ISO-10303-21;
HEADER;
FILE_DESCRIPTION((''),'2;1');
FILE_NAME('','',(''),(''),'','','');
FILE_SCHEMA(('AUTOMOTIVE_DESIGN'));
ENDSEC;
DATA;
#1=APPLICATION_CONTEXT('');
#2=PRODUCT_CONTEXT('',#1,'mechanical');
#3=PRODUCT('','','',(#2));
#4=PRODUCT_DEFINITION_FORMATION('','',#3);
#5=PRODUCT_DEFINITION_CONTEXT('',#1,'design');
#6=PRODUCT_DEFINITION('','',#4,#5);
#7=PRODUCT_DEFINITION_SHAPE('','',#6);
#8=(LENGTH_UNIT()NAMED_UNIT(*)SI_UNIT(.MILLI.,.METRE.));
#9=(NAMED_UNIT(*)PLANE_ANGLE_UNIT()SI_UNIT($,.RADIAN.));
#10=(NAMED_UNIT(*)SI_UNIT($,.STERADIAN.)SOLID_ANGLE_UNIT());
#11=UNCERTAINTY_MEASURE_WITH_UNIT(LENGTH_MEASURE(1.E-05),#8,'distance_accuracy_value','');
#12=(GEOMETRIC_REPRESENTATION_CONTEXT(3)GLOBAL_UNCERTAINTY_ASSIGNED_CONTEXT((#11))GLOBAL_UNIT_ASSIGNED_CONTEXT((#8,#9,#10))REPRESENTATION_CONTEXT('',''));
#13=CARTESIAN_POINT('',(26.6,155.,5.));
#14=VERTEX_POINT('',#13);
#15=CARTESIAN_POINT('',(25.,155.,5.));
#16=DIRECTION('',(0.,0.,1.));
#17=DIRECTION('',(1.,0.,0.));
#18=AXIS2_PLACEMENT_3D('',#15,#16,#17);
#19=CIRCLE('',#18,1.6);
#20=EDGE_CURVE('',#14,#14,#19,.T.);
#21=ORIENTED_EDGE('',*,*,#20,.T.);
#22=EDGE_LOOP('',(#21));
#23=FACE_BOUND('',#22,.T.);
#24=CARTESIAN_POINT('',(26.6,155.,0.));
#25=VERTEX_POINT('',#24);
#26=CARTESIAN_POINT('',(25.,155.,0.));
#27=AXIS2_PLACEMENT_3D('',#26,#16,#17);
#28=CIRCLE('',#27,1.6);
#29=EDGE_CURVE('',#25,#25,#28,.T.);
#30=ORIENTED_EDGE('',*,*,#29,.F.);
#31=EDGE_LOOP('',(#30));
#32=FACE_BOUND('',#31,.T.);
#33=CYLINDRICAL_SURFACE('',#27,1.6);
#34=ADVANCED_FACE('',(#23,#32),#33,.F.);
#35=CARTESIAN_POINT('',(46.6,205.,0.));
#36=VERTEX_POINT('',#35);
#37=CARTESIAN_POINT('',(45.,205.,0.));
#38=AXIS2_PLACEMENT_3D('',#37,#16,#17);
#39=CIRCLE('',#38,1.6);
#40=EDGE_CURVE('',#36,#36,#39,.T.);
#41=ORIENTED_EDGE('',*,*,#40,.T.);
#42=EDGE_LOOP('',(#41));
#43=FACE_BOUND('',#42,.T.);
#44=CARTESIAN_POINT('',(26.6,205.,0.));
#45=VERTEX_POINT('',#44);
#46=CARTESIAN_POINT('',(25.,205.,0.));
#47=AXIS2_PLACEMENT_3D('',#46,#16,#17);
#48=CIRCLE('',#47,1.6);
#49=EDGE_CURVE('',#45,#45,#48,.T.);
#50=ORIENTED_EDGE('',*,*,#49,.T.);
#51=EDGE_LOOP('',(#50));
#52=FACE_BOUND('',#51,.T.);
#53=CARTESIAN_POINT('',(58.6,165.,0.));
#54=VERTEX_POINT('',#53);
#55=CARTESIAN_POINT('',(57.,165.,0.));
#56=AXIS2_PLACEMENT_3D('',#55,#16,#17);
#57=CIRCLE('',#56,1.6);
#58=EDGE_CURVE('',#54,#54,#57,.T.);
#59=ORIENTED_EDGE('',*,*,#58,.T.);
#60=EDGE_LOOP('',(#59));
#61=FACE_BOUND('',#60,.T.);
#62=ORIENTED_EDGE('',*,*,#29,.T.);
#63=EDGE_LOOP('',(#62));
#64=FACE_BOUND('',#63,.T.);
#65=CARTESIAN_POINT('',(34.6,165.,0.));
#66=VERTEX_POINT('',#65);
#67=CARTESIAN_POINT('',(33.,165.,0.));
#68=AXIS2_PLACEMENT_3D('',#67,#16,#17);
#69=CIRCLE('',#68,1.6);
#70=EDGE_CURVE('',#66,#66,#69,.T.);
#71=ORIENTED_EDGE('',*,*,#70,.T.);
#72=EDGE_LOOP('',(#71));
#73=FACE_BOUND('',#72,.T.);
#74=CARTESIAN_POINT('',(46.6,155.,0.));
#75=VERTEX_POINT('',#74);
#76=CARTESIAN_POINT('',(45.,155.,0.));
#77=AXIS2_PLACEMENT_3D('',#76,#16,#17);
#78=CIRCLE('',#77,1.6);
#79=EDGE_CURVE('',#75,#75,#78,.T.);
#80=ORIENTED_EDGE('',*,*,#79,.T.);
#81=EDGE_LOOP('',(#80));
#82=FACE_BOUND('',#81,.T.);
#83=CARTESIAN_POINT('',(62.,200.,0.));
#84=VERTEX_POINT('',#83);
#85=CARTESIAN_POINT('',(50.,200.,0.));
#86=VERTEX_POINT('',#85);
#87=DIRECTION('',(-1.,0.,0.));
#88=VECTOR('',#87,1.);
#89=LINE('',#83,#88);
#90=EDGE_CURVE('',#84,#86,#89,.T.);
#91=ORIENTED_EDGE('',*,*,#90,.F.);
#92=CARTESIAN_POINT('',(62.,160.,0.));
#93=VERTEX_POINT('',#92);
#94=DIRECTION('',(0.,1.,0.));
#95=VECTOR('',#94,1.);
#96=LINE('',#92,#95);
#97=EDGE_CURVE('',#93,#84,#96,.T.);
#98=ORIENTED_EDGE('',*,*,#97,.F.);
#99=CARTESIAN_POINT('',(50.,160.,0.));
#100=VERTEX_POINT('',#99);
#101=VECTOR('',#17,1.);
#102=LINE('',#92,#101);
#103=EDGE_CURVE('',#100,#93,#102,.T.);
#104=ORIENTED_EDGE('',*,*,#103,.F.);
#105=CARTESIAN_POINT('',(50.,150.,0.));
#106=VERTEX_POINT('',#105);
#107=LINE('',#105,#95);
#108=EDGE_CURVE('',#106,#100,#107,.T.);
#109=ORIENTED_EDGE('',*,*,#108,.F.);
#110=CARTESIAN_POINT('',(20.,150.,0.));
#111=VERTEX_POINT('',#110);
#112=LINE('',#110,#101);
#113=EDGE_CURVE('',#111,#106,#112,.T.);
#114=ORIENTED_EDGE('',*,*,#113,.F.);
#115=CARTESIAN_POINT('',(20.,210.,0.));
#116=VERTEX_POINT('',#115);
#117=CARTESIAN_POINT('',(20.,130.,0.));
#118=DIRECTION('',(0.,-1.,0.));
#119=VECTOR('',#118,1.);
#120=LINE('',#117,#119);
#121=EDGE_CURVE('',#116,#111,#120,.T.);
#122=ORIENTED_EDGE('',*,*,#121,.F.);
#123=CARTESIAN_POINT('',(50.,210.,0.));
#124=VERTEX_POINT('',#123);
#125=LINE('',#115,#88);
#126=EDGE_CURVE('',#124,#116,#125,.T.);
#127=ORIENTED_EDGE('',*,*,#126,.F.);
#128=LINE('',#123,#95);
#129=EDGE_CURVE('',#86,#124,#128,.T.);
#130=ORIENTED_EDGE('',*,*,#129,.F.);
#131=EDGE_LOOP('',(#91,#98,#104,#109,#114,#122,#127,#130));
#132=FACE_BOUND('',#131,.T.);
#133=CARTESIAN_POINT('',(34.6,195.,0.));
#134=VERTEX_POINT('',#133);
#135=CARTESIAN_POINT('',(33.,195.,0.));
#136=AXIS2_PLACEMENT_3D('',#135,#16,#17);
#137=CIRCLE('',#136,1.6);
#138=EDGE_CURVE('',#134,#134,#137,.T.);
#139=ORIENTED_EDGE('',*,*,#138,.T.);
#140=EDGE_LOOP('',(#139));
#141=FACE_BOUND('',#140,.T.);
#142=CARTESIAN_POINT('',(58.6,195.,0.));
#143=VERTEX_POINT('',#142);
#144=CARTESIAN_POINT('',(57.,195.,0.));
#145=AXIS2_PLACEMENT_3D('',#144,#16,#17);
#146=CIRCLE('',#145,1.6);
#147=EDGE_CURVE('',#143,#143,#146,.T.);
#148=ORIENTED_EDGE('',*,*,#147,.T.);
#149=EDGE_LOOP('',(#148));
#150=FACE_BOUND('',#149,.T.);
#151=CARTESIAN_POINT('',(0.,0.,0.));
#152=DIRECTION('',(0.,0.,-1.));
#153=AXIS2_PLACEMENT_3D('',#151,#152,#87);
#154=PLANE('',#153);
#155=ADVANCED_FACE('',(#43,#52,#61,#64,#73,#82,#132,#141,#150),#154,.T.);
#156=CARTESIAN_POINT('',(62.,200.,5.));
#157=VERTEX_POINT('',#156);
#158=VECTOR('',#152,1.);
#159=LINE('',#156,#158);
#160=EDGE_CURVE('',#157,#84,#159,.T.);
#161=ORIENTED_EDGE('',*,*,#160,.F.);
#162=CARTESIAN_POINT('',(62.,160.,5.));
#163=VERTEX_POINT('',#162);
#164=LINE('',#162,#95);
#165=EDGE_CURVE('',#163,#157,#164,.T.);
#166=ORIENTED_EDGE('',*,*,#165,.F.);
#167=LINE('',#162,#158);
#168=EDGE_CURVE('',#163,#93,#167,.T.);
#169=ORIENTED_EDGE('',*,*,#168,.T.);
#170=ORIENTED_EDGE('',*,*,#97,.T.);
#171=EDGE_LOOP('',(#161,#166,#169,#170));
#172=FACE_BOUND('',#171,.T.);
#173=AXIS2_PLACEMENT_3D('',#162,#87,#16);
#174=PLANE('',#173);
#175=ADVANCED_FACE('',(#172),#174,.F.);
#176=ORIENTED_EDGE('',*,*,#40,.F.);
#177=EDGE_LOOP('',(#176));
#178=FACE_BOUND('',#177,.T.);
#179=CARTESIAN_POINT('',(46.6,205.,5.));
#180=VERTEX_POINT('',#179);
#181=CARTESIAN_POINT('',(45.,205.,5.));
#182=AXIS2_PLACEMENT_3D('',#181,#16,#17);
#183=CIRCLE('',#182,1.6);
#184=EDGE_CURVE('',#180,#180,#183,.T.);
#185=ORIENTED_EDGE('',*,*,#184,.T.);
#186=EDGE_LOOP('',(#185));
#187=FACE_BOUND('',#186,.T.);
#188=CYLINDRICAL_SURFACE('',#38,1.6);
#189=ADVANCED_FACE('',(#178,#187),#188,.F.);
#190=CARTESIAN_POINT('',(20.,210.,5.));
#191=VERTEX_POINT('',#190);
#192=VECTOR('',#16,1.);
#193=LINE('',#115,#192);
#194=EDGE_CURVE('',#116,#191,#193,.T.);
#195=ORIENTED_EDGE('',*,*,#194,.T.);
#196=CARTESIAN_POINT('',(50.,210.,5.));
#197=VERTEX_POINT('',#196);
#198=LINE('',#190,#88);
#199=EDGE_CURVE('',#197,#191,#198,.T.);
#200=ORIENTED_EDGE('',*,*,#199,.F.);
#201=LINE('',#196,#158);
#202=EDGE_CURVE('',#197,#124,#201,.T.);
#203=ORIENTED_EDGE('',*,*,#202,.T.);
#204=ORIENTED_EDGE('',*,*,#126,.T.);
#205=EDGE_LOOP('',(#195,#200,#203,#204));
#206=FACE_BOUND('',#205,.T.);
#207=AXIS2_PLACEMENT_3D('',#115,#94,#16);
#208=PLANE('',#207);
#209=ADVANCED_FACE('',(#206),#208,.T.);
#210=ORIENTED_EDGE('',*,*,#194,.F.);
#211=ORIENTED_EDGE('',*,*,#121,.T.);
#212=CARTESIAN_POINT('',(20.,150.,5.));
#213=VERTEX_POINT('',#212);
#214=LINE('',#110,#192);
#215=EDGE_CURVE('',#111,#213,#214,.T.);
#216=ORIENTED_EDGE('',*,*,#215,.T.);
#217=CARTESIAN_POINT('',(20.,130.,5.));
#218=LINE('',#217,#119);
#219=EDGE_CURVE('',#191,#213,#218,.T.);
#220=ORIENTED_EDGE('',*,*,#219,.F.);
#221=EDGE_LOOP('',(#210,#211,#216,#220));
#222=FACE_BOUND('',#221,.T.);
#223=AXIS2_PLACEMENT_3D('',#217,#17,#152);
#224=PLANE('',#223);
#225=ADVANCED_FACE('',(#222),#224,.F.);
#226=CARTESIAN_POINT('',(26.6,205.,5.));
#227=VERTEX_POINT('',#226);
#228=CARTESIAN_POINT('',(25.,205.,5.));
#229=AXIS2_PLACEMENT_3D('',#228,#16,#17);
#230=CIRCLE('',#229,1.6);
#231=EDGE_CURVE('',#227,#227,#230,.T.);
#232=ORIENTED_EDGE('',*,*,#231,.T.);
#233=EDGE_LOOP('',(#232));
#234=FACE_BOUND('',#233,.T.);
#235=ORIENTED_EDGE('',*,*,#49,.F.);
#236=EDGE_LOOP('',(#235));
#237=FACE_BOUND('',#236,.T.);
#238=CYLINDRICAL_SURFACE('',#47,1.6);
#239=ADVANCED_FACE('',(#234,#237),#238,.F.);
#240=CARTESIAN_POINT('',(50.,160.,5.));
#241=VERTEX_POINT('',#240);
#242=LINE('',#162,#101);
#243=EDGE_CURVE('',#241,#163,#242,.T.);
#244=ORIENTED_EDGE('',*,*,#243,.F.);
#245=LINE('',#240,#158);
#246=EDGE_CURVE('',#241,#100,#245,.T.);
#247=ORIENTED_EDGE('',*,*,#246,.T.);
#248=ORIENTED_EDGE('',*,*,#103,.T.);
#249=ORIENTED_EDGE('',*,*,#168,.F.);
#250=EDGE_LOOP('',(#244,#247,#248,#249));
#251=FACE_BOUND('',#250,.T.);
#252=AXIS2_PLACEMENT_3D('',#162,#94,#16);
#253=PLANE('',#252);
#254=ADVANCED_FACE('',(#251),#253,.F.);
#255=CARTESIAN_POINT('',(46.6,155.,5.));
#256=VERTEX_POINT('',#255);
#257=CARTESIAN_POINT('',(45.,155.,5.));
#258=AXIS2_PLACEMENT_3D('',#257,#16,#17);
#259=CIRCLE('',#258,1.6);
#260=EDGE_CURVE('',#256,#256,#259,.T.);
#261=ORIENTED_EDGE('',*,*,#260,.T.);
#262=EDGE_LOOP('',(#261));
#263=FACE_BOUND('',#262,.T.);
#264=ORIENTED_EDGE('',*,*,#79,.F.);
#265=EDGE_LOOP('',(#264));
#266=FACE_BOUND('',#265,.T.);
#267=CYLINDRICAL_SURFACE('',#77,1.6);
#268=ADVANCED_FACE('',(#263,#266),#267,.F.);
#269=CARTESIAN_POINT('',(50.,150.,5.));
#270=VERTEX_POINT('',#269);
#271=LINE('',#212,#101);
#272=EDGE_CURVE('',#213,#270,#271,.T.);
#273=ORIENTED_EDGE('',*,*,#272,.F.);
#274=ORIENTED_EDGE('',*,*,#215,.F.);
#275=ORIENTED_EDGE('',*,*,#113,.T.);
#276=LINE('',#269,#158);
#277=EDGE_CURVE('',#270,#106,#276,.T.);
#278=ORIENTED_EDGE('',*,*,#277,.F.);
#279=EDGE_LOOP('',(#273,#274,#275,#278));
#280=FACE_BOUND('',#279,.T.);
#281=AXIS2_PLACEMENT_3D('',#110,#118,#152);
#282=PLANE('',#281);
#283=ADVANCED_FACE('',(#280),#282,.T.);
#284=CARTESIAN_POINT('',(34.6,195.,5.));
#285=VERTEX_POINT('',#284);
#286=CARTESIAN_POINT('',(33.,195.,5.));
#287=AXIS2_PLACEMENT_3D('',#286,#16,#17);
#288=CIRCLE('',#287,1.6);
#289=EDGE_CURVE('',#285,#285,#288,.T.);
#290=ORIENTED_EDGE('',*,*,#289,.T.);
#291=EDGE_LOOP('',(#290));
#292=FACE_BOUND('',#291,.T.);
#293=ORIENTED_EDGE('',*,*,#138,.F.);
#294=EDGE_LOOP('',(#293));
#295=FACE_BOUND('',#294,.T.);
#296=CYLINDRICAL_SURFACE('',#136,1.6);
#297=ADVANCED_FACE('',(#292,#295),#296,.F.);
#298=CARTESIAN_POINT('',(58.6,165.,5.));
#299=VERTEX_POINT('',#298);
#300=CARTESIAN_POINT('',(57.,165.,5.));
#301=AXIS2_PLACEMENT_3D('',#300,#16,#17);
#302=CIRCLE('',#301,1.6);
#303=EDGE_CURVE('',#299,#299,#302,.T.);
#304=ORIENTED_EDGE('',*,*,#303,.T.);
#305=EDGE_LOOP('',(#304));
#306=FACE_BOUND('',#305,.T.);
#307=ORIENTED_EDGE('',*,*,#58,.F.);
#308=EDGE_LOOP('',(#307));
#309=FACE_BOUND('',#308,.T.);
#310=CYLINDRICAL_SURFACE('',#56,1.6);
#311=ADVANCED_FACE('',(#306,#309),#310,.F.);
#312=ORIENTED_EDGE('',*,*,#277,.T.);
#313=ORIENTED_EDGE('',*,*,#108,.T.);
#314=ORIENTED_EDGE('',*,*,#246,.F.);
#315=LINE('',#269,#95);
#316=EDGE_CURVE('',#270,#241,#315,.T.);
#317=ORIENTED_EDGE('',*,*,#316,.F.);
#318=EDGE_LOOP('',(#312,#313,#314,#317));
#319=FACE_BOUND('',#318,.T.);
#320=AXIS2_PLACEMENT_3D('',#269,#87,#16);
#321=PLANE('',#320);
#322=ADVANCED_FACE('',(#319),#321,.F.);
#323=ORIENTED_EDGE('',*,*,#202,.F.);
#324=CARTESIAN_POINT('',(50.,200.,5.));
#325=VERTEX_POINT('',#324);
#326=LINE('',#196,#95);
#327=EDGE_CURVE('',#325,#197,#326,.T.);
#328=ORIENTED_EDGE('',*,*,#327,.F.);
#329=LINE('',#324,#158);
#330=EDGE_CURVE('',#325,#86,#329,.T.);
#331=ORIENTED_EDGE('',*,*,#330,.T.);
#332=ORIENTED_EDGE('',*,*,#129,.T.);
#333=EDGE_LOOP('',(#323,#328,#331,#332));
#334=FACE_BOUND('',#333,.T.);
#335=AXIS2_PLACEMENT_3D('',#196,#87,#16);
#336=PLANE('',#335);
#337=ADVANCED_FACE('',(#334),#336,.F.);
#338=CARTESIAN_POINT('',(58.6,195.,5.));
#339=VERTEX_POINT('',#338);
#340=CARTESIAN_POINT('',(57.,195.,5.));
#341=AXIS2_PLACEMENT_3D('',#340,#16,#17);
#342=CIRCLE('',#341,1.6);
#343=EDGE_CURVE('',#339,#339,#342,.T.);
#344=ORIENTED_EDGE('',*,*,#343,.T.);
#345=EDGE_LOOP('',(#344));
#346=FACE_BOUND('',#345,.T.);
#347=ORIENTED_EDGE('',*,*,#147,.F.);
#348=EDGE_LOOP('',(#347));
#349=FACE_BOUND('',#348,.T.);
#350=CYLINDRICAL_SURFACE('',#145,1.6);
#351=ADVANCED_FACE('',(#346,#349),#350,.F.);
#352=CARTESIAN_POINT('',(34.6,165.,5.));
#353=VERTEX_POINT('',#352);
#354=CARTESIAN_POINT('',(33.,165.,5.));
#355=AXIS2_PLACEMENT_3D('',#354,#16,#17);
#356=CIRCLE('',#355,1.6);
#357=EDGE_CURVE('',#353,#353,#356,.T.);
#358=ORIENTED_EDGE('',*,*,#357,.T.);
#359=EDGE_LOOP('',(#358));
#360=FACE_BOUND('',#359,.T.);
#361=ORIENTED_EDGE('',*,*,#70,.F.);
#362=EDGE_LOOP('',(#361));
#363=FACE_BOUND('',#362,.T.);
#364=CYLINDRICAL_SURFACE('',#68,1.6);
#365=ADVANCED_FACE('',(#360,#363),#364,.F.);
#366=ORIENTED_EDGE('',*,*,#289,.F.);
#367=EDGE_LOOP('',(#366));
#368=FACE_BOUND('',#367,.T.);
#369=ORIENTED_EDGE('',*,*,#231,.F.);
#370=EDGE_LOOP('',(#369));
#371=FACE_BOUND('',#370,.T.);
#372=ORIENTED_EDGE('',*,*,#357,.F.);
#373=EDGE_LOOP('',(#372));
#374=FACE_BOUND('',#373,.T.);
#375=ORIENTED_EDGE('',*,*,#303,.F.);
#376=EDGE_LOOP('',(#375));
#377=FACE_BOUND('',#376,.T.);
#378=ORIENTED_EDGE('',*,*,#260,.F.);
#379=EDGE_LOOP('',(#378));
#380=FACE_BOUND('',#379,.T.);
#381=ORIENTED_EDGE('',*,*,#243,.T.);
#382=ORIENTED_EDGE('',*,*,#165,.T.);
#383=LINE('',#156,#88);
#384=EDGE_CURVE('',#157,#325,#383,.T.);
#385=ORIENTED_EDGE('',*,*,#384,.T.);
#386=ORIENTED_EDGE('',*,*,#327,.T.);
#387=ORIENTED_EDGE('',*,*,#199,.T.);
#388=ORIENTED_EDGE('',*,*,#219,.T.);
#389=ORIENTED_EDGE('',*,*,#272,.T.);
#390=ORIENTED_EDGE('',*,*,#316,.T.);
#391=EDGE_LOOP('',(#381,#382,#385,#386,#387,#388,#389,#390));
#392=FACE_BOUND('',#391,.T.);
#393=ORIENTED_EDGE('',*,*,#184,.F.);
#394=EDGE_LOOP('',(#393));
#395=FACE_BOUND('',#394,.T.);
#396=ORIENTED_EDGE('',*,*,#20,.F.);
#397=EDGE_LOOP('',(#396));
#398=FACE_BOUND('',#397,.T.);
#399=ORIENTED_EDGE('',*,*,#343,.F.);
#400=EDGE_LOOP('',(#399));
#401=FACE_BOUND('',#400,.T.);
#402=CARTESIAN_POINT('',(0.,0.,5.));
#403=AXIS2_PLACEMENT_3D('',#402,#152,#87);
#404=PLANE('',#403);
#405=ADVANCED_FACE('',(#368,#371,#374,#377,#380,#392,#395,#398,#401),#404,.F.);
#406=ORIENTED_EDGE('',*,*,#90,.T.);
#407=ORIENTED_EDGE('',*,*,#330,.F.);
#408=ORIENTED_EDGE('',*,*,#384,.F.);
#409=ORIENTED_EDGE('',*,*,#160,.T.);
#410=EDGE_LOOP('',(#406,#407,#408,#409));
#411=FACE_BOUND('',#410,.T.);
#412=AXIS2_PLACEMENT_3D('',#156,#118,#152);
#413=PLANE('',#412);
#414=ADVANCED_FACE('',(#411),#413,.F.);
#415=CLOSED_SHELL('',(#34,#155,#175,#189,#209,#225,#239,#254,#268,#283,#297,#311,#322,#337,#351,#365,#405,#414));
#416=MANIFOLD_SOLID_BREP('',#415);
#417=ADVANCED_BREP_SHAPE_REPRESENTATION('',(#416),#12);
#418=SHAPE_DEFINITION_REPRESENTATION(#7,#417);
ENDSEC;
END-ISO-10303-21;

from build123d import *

# Parameters (mm, degrees)
EXTRUDE_1_DEPTH     = 5
SKETCH_5_R          = 1.6
CUT_EXTRUDE_1_DEPTH = 329.148213465
SKETCH_6_W          = 3
SKETCH_6_H          = 30
CUT_EXTRUDE_2_DEPTH = 329.148213465
SKETCH_7_W          = 3
SKETCH_7_H          = 10
CUT_EXTRUDE_3_DEPTH = 329.148213465
SKETCH_8_W          = 15
SKETCH_8_H          = 3
CUT_EXTRUDE_4_DEPTH = 329.148213465
SKETCH_9_W          = 30
SKETCH_9_H          = 0.36
EXTRUDE_2_DEPTH     = 5
SKETCH_11_W         = 200
SKETCH_11_H         = 355
SKETCH_11_W_2       = 46
SKETCH_11_H_2       = 60
CUT_EXTRUDE_5_DEPTH = 329.148213465
CUT_EXTRUDE_7_DEPTH = 221.184013952
SKETCH_13_R         = 1.6
CUT_EXTRUDE_8_DEPTH = 220.018264079


with BuildPart() as part:
    # 草图3 → 凸台-拉伸1 (new body)
    with BuildSketch(Plane.XY):
        Polygon((-10, 267.5), (190, 267.5), (190, 230), (160, 230), (160, 130), (190, 130), (190, 50), (160, 50), (160, -50), (190, -50), (190, -87.5), (-10, -87.5), (-10, -50), (20, -50), (20, 50), (-10, 50), (-10, 130), (20, 130), (20, 230), (-10, 230), align=None)
    extrude(amount=EXTRUDE_1_DEPTH)

    # 草图5 → 切除-拉伸1 (cut, through all)
    with BuildSketch(Plane.XY.offset(5)):
        with Locations((33, 195)):
            Circle(SKETCH_5_R)
        with Locations((57, 195)):
            Circle(SKETCH_5_R)
        with Locations((33, 165)):
            Circle(SKETCH_5_R)
        with Locations((57, 165)):
            Circle(SKETCH_5_R)
        with Locations((123, 195)):
            Circle(SKETCH_5_R)
        with Locations((147, 195)):
            Circle(SKETCH_5_R)
        with Locations((123, 165)):
            Circle(SKETCH_5_R)
        with Locations((147, 165)):
            Circle(SKETCH_5_R)
        with Locations((33, 15)):
            Circle(SKETCH_5_R)
        with Locations((57, 15)):
            Circle(SKETCH_5_R)
        with Locations((33, -15)):
            Circle(SKETCH_5_R)
        with Locations((57, -15)):
            Circle(SKETCH_5_R)
        with Locations((123, 15)):
            Circle(SKETCH_5_R)
        with Locations((147, 15)):
            Circle(SKETCH_5_R)
        with Locations((123, -15)):
            Circle(SKETCH_5_R)
        with Locations((147, -15)):
            Circle(SKETCH_5_R)
    extrude(amount=-CUT_EXTRUDE_1_DEPTH, mode=Mode.SUBTRACT)

    # 草图6 → 切除-拉伸2 (cut, through all)
    with BuildSketch(Plane.XY.offset(5)):
        with Locations((-8.5, 90)):
            Rectangle(SKETCH_6_W, SKETCH_6_H)
        with Locations((188.5, 90)):
            Rectangle(SKETCH_6_W, SKETCH_6_H)
    extrude(amount=-CUT_EXTRUDE_2_DEPTH, mode=Mode.SUBTRACT)

    # 草图7 → 切除-拉伸3 (cut, through all)
    with BuildSketch(Plane.XY.offset(5)):
        with Locations((-8.5, 248.75)):
            Rectangle(SKETCH_7_W, SKETCH_7_H)
        with Locations((188.5, 248.75)):
            Rectangle(SKETCH_7_W, SKETCH_7_H)
        with Locations((-8.5, -68.75)):
            Rectangle(SKETCH_7_W, SKETCH_7_H)
        with Locations((188.5, -68.75)):
            Rectangle(SKETCH_7_W, SKETCH_7_H)
    extrude(amount=-CUT_EXTRUDE_3_DEPTH, mode=Mode.SUBTRACT)

    # 草图8 → 切除-拉伸4 (cut, through all)
    with BuildSketch(Plane.XY.offset(5)):
        with Locations((17.5, -86)):
            Rectangle(SKETCH_8_W, SKETCH_8_H)
        with Locations((52.5, -86)):
            Rectangle(SKETCH_8_W, SKETCH_8_H)
        with Locations((127.5, -86)):
            Rectangle(SKETCH_8_W, SKETCH_8_H)
        with Locations((162.5, -86)):
            Rectangle(SKETCH_8_W, SKETCH_8_H)
    extrude(amount=-CUT_EXTRUDE_4_DEPTH, mode=Mode.SUBTRACT)

    # 草图9 → 凸台-拉伸2 (add)
    with BuildSketch(Plane.XY.offset(5)):
        with Locations((5, 229.82)):
            Rectangle(SKETCH_9_W, SKETCH_9_H)
        with Locations((175, 229.82)):
            Rectangle(SKETCH_9_W, SKETCH_9_H)
    extrude(amount=-EXTRUDE_2_DEPTH)

    # 草图11 → 切除-拉伸5 (cut, through all)
    with BuildSketch(Plane.XY.offset(5)):
        with Locations((90, 90)):
            Rectangle(SKETCH_11_W, SKETCH_11_H)
        with Locations((43, 180)):
            Rectangle(SKETCH_11_W_2, SKETCH_11_H_2, mode=Mode.SUBTRACT)
    extrude(amount=-CUT_EXTRUDE_5_DEPTH, mode=Mode.SUBTRACT)

    # 草图14 → 切除-拉伸7 (cut, through all)
    with BuildSketch(Plane(origin=(0, 0, 0), x_dir=(-1, 0, 0), z_dir=(0, 0, -1))):
        Polygon((-66, 150), (-50, 150), (-50, 160), (-62, 160), (-62, 200), (-50, 200), (-50, 210), (-66, 210), (-66, 200), (-66, 160), align=None)
    extrude(amount=-CUT_EXTRUDE_7_DEPTH, mode=Mode.SUBTRACT)

    # 草图13 → 切除-拉伸8 (cut, through all)
    with BuildSketch(Plane.XY.offset(5)):
        with Locations((45, 205)):
            Circle(SKETCH_13_R)
        with Locations((25, 155)):
            Circle(SKETCH_13_R)
        with Locations((25, 205)):
            Circle(SKETCH_13_R)
        with Locations((45, 155)):
            Circle(SKETCH_13_R)
    extrude(amount=-CUT_EXTRUDE_8_DEPTH, mode=Mode.SUBTRACT)


solid = part.part
